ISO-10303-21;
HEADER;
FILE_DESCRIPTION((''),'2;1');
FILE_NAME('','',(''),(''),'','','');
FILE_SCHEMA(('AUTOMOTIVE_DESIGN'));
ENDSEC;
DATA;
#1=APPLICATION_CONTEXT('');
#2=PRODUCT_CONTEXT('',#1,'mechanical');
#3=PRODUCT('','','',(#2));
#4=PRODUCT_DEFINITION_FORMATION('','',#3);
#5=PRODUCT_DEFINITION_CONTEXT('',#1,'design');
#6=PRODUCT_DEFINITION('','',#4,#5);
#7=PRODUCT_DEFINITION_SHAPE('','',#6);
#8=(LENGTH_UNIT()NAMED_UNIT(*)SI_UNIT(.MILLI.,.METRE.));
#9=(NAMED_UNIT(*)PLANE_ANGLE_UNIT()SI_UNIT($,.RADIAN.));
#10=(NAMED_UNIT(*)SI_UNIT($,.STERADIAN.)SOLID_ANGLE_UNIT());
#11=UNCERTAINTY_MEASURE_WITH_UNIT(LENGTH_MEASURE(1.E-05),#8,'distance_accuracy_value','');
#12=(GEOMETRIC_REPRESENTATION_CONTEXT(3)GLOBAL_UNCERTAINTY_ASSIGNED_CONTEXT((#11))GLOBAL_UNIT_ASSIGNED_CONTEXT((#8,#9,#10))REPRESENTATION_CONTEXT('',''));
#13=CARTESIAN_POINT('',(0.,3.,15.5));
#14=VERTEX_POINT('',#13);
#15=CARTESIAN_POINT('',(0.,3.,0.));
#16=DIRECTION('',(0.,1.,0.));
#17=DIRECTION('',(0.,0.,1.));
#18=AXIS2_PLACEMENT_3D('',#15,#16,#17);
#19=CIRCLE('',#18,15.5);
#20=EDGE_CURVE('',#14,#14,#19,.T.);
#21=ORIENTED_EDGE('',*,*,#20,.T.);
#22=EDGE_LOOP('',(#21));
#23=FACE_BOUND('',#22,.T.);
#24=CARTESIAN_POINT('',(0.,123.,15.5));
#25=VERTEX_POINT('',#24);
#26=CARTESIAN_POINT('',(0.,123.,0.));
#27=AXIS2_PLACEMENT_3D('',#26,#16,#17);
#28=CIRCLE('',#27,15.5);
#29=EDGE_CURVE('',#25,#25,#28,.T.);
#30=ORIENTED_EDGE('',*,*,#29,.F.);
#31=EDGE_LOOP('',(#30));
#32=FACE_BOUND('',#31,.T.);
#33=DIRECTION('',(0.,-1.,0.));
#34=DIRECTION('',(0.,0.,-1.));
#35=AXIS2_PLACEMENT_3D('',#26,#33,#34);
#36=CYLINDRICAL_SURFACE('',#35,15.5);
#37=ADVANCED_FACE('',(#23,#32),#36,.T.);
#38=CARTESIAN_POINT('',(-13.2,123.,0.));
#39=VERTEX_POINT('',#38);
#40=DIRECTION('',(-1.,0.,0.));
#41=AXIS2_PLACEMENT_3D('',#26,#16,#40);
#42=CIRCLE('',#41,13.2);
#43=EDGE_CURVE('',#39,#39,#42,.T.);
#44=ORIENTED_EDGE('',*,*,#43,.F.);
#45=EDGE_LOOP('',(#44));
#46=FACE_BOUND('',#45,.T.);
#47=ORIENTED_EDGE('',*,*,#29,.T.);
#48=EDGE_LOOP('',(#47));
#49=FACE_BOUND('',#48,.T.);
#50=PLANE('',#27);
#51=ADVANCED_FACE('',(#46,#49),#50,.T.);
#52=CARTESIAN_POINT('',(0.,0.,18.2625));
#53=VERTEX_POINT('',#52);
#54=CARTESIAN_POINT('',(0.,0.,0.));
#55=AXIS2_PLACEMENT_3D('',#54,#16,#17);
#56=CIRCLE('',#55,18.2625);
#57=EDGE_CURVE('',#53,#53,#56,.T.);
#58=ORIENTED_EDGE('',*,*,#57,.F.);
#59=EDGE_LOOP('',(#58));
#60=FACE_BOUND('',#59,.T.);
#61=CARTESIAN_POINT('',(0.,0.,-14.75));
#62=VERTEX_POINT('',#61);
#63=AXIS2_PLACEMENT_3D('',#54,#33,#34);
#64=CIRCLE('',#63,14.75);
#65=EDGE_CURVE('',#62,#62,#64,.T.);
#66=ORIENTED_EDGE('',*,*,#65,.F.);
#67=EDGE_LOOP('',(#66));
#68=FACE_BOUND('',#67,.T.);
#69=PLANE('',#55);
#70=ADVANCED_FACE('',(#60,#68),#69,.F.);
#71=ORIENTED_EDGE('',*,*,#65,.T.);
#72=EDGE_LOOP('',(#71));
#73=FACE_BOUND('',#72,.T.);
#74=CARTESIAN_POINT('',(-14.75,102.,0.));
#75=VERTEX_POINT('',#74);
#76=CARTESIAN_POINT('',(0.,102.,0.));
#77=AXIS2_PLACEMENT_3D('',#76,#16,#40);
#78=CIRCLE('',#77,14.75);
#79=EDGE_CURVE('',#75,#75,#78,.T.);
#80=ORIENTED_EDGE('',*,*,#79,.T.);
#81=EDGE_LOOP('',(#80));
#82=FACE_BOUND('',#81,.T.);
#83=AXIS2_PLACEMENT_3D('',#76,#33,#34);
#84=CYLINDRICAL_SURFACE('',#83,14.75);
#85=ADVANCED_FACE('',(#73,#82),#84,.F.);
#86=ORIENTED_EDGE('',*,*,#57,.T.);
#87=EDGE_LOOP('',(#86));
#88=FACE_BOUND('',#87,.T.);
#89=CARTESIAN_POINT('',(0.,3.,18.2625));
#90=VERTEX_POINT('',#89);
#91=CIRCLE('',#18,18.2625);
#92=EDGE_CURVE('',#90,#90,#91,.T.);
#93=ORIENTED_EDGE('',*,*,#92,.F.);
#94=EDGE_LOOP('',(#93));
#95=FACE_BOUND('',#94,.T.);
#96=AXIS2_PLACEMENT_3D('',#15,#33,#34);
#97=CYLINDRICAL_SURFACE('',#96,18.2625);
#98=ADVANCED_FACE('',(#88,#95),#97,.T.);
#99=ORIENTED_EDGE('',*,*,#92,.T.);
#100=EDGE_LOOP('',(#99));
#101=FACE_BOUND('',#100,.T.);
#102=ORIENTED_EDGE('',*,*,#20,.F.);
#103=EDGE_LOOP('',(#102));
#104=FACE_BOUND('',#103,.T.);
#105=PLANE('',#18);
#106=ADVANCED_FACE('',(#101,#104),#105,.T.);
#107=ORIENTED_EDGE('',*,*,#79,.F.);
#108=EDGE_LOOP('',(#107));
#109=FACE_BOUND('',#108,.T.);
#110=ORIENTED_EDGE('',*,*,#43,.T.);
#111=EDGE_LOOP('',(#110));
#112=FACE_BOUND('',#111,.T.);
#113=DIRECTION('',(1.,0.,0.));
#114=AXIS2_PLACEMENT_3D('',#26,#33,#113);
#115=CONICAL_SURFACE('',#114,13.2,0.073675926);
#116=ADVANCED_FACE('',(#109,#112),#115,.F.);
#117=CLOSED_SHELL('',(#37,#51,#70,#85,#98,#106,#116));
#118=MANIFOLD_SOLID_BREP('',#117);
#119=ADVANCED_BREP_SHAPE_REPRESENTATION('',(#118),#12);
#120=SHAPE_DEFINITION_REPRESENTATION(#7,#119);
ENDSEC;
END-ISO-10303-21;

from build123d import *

# Parameters (mm, degrees)
CROQUIS1_R              = 18.2625
SALIENTE_EXTRUIR1_DEPTH = 3
CROQUIS2_R              = 15.5
SALIENTE_EXTRUIR2_DEPTH = 120
CROQUIS3_R              = 14.75
CORTAR_EXTRUIR1_DEPTH   = 102


with BuildPart() as part:
    # Croquis1 → Saliente-Extruir1 (new body)
    with BuildSketch(Plane(origin=(0, 0, 0), x_dir=(1, 0, 0), z_dir=(0, 1, 0))):
        with Locations(Location((0, 0, 0), (0, 0, 270))):
            Circle(CROQUIS1_R)
    extrude(amount=SALIENTE_EXTRUIR1_DEPTH)

    # Croquis2 → Saliente-Extruir2 (add)
    with BuildSketch(Plane(origin=(0, 3, 0), x_dir=(1, 0, 0), z_dir=(0, 1, 0))):
        with Locations(Location((0, 0, 0), (0, 0, 270))):
            Circle(CROQUIS2_R)
    extrude(amount=SALIENTE_EXTRUIR2_DEPTH)

    # Croquis3 → Cortar-Extruir1 (cut)
    with BuildSketch(Plane.XZ):
        with Locations(Location((0, 0, 0), (0, 0, 270))):
            Circle(CROQUIS3_R)
    extrude(amount=-CORTAR_EXTRUIR1_DEPTH, mode=Mode.SUBTRACT)

    # Croquis4 → Cortar-Revolución3 (revolve, cut)
    with BuildSketch(Plane.XY):
        Polygon((0, 102), (-14.75, 102), (-13.2, 123), (0, 123), align=None)
    revolve(axis=Axis((0, 123, 0), (0, -1, 0)), mode=Mode.SUBTRACT)


solid = part.part
